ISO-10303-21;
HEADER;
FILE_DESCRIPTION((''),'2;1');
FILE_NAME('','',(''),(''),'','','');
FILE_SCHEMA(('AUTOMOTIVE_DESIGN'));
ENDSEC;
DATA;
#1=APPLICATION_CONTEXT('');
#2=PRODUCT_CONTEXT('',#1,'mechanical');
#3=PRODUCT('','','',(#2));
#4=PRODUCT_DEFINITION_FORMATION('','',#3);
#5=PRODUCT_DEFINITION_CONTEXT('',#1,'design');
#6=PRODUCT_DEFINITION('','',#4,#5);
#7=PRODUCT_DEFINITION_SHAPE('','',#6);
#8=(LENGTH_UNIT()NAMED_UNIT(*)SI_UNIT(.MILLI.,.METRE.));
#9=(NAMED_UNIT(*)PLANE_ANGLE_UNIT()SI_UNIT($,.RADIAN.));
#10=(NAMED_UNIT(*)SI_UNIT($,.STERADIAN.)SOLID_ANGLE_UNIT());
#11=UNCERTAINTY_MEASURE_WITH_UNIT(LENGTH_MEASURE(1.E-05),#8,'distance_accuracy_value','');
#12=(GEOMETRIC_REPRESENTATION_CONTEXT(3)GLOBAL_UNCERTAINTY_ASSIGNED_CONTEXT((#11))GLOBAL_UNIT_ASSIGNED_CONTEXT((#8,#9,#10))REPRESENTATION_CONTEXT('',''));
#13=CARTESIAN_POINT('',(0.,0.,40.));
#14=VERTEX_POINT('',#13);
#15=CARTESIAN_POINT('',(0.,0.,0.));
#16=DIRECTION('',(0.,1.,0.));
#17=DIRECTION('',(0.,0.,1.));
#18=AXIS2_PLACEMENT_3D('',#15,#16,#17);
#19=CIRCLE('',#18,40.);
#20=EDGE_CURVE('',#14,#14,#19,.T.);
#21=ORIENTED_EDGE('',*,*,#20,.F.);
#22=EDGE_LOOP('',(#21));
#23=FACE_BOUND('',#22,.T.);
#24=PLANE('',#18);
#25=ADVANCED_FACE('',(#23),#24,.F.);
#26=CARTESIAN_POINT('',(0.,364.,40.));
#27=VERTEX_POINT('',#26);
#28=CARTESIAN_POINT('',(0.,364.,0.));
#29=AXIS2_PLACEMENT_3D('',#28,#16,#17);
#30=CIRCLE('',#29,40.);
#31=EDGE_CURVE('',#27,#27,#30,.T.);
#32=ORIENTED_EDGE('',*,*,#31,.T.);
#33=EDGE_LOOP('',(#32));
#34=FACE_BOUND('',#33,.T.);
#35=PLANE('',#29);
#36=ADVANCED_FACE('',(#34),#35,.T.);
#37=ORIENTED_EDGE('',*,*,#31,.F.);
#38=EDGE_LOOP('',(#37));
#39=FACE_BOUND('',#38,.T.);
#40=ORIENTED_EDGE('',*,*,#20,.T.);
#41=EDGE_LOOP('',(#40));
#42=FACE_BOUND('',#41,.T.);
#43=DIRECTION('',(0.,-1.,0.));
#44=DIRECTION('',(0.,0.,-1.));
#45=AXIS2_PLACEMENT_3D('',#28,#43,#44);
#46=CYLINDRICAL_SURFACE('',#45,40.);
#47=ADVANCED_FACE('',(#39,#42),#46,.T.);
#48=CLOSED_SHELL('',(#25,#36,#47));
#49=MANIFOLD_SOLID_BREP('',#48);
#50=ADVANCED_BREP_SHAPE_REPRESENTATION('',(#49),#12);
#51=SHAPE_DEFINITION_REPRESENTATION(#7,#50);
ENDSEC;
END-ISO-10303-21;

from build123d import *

# Parameters (mm, degrees)
SKETCH1_R           = 40
BOSS_EXTRUDE1_DEPTH = 364


with BuildPart() as part:
    # Sketch1 → Boss-Extrude1 (new body)
    with BuildSketch(Plane(origin=(0, 0, 0), x_dir=(1, 0, 0), z_dir=(0, 1, 0))):
        with Locations(Location((0, 0, 0), (0, 0, 270))):
            Circle(SKETCH1_R)
    extrude(amount=BOSS_EXTRUDE1_DEPTH)


solid = part.part
